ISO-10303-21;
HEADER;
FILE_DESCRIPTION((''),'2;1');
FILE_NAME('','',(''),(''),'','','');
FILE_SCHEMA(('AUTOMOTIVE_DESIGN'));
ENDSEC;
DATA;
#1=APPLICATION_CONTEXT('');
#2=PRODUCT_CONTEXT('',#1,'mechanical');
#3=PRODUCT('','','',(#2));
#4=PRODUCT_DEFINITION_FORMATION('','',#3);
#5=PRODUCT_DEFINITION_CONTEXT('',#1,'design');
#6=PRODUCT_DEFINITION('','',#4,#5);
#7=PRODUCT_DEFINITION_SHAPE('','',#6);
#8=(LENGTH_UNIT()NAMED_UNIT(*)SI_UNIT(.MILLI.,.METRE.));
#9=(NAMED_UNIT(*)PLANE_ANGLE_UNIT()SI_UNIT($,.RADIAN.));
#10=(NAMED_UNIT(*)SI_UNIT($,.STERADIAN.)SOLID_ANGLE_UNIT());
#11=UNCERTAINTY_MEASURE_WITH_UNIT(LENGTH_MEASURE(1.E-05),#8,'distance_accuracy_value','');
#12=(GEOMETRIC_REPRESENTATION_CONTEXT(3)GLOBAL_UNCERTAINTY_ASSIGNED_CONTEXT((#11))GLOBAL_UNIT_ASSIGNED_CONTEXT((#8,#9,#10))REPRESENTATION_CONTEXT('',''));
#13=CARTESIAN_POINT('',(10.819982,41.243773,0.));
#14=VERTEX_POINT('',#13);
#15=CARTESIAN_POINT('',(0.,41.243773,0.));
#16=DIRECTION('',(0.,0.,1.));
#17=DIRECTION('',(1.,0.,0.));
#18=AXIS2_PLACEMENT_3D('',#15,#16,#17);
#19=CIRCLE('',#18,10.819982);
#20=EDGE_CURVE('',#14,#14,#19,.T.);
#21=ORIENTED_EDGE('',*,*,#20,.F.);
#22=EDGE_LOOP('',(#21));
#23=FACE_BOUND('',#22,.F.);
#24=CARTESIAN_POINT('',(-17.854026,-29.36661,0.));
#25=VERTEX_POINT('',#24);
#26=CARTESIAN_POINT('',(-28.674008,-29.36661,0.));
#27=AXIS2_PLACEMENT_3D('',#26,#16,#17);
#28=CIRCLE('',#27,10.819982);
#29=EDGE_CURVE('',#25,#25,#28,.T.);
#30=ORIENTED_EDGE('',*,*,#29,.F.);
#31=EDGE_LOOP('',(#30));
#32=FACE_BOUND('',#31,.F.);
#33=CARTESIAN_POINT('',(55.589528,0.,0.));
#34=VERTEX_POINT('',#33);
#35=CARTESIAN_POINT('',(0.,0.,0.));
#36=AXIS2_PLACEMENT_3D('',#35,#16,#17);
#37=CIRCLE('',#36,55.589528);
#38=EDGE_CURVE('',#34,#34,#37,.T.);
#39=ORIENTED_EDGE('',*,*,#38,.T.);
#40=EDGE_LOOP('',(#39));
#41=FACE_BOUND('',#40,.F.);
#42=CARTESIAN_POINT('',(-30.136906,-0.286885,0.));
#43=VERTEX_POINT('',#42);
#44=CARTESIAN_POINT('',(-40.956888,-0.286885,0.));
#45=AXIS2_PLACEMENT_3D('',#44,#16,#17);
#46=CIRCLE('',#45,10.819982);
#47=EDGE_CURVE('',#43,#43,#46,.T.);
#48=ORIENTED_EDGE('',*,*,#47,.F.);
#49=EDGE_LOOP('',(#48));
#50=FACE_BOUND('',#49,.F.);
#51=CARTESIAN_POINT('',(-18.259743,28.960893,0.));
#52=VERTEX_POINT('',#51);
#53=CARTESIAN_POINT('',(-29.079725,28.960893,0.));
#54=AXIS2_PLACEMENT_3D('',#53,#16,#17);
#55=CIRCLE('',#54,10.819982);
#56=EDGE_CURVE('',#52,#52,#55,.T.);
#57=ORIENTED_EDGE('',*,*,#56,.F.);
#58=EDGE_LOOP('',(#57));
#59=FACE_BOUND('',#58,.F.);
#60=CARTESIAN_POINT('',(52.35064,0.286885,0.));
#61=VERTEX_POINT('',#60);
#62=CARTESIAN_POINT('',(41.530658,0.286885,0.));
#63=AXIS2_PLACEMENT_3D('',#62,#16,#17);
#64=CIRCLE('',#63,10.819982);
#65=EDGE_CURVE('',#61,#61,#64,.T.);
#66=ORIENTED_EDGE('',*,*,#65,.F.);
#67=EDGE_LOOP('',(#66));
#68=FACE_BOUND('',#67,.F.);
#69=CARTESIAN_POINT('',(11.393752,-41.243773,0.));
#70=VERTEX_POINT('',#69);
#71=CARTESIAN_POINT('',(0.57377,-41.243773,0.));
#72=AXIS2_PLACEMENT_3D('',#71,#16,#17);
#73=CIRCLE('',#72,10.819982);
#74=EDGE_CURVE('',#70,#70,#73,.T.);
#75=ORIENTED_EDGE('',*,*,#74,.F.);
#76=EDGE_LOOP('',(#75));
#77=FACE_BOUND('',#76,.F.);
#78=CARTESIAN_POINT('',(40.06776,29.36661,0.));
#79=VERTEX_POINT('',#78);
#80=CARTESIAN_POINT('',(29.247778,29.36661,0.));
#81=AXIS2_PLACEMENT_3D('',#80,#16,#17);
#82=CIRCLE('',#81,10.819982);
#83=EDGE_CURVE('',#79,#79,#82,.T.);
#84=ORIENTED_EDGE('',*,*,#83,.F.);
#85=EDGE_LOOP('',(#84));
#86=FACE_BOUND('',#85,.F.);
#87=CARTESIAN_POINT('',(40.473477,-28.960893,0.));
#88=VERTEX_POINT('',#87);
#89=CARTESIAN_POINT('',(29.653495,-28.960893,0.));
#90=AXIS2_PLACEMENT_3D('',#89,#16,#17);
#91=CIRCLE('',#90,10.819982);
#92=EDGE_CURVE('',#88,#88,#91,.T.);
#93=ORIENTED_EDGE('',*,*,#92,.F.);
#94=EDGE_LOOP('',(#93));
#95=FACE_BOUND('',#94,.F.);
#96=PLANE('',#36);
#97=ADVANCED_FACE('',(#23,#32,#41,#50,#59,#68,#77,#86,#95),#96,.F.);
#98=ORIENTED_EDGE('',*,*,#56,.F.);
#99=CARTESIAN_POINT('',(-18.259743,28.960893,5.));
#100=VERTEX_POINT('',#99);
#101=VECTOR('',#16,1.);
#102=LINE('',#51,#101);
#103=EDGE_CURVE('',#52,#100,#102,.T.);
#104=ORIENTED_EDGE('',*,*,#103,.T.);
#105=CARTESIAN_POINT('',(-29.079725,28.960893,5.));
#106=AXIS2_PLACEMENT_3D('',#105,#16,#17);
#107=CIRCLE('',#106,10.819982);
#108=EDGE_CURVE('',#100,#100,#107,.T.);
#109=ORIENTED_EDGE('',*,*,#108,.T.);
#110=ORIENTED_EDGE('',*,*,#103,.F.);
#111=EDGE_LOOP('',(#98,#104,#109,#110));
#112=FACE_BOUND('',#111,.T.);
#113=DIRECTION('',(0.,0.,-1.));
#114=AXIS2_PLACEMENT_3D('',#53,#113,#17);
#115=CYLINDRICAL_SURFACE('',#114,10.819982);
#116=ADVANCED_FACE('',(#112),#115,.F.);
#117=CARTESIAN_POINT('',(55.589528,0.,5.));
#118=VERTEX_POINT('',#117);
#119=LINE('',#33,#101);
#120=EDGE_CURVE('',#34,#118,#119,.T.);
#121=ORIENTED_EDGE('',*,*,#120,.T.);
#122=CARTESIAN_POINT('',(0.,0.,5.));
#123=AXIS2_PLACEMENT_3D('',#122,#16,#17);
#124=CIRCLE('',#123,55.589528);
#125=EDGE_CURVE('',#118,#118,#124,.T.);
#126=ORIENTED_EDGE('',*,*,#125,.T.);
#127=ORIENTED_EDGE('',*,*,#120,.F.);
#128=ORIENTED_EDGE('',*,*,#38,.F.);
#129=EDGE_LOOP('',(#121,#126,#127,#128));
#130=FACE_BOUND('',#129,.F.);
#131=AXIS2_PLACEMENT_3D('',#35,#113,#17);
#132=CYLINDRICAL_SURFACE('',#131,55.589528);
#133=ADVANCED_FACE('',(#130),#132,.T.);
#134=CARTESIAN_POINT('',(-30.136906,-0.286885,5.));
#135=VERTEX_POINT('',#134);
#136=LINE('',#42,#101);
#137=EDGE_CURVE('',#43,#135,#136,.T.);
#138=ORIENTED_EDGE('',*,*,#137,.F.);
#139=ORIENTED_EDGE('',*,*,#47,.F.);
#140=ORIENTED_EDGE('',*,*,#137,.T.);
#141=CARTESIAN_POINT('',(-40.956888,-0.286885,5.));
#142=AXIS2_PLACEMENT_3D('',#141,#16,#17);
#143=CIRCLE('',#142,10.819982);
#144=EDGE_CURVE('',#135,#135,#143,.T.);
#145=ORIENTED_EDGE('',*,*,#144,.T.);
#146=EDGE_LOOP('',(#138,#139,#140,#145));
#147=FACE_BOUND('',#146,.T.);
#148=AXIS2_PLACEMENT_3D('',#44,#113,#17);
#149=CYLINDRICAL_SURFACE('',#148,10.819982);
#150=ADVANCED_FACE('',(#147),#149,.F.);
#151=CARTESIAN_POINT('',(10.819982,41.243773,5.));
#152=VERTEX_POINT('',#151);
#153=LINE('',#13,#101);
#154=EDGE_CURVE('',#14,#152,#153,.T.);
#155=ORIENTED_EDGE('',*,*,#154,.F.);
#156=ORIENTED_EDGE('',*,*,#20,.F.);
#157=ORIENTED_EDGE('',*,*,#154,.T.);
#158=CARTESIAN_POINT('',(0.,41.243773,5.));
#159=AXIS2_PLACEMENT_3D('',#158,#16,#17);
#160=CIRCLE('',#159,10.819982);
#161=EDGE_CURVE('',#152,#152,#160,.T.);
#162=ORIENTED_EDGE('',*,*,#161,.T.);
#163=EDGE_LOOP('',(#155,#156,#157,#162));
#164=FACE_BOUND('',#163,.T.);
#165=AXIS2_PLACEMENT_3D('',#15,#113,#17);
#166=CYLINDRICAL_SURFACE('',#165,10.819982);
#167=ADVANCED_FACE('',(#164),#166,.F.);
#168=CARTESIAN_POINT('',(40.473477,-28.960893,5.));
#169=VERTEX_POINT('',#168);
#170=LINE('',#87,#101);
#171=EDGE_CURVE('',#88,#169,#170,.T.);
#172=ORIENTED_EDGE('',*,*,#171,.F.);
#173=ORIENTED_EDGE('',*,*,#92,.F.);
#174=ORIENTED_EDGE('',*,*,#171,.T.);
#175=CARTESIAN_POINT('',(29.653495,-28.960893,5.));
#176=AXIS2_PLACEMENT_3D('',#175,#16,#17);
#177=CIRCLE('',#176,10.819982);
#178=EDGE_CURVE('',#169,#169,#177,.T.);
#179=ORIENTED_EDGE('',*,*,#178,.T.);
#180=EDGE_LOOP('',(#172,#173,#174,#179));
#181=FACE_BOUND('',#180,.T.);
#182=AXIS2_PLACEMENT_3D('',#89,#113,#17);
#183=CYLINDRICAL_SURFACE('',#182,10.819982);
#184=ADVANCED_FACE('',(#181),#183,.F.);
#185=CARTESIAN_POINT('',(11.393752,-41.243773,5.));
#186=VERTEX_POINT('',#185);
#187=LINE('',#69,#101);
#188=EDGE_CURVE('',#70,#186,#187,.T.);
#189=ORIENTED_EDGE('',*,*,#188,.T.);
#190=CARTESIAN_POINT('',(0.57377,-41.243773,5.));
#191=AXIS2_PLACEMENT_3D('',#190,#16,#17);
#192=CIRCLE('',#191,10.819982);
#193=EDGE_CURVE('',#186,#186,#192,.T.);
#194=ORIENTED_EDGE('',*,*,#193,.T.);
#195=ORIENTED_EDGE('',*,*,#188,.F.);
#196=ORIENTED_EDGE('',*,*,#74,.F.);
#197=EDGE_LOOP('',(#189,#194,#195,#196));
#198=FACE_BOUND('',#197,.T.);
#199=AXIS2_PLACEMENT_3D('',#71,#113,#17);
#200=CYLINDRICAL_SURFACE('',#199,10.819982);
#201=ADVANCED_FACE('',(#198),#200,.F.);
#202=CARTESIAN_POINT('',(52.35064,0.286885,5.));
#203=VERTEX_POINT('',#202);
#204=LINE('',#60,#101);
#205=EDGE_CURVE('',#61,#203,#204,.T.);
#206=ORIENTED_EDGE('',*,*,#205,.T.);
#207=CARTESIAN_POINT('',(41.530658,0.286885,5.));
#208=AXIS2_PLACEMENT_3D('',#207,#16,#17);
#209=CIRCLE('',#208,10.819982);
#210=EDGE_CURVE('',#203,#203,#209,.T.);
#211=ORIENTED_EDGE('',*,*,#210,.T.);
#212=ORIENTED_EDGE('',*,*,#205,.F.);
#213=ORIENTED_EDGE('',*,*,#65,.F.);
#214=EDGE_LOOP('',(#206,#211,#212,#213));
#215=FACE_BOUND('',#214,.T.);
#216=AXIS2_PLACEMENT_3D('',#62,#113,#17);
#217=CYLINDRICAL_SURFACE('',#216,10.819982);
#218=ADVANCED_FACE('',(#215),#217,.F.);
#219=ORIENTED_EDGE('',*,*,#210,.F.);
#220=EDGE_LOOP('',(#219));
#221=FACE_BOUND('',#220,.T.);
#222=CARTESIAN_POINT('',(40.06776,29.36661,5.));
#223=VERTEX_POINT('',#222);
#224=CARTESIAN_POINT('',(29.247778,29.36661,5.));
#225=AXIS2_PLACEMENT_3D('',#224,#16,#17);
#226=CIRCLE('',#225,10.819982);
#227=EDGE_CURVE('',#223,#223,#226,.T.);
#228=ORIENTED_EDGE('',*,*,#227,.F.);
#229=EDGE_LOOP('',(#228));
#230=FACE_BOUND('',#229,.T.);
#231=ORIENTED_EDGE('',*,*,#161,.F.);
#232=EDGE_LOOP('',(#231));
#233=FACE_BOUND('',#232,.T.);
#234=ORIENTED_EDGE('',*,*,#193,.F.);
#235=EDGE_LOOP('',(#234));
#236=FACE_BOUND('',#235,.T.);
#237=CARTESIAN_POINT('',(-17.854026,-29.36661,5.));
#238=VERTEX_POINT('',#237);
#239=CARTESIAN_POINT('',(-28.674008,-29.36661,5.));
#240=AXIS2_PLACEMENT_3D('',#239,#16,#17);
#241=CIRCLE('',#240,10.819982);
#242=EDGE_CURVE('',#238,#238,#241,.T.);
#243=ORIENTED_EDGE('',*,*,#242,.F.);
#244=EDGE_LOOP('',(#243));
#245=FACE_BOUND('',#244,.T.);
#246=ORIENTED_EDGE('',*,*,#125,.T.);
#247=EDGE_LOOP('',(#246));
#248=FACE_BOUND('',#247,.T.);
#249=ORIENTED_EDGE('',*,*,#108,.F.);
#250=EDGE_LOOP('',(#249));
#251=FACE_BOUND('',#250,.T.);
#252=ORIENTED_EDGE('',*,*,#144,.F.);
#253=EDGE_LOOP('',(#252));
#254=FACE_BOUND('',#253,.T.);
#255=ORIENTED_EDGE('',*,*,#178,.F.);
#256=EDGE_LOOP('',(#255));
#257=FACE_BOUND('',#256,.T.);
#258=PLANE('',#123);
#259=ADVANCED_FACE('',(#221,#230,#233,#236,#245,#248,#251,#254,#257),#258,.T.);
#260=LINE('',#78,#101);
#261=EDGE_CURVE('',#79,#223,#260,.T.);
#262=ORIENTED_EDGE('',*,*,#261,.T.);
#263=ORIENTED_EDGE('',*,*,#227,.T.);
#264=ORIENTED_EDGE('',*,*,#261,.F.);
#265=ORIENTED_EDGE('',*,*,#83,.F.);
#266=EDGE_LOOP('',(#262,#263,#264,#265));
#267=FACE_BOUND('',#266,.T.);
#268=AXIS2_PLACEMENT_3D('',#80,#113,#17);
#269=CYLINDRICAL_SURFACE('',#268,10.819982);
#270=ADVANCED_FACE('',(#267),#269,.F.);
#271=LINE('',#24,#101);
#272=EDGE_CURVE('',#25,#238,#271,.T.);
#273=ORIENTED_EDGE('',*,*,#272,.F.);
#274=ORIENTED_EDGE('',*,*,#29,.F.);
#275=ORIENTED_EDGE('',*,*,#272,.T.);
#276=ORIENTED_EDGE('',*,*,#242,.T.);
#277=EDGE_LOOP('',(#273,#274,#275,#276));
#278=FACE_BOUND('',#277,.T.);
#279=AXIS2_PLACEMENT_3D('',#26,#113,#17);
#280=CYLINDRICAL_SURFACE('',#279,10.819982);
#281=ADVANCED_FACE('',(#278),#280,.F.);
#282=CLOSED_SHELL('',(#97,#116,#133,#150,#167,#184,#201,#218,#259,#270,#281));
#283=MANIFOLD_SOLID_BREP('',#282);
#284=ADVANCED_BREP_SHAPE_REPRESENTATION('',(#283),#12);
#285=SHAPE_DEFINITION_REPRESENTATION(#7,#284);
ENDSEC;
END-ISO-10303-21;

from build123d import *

# Parameters (mm, degrees)
F0_R     = 55.589528
F0_R_2   = 10.819982
F1_DEPTH = 5


with BuildPart() as f1:
    # F0 (on Top) → F1 (new body)
    with BuildSketch(Plane.XY):
        Circle(F0_R)
        with Locations((-28.674008, -29.36661)):
            Circle(F0_R_2, mode=Mode.SUBTRACT)
        with Locations((-40.956888, -0.286885)):
            Circle(F0_R_2, mode=Mode.SUBTRACT)
        with Locations((0.57377, -41.243773)):
            Circle(F0_R_2, mode=Mode.SUBTRACT)
        with Locations((29.653495, -28.960893)):
            Circle(F0_R_2, mode=Mode.SUBTRACT)
        with Locations((-29.079725, 28.960893)):
            Circle(F0_R_2, mode=Mode.SUBTRACT)
        with Locations((41.530658, 0.286885)):
            Circle(F0_R_2, mode=Mode.SUBTRACT)
        with Locations((0, 41.243773)):
            Circle(F0_R_2, mode=Mode.SUBTRACT)
        with Locations((29.247778, 29.36661)):
            Circle(F0_R_2, mode=Mode.SUBTRACT)
    extrude(amount=F1_DEPTH)


solid = f1.part
